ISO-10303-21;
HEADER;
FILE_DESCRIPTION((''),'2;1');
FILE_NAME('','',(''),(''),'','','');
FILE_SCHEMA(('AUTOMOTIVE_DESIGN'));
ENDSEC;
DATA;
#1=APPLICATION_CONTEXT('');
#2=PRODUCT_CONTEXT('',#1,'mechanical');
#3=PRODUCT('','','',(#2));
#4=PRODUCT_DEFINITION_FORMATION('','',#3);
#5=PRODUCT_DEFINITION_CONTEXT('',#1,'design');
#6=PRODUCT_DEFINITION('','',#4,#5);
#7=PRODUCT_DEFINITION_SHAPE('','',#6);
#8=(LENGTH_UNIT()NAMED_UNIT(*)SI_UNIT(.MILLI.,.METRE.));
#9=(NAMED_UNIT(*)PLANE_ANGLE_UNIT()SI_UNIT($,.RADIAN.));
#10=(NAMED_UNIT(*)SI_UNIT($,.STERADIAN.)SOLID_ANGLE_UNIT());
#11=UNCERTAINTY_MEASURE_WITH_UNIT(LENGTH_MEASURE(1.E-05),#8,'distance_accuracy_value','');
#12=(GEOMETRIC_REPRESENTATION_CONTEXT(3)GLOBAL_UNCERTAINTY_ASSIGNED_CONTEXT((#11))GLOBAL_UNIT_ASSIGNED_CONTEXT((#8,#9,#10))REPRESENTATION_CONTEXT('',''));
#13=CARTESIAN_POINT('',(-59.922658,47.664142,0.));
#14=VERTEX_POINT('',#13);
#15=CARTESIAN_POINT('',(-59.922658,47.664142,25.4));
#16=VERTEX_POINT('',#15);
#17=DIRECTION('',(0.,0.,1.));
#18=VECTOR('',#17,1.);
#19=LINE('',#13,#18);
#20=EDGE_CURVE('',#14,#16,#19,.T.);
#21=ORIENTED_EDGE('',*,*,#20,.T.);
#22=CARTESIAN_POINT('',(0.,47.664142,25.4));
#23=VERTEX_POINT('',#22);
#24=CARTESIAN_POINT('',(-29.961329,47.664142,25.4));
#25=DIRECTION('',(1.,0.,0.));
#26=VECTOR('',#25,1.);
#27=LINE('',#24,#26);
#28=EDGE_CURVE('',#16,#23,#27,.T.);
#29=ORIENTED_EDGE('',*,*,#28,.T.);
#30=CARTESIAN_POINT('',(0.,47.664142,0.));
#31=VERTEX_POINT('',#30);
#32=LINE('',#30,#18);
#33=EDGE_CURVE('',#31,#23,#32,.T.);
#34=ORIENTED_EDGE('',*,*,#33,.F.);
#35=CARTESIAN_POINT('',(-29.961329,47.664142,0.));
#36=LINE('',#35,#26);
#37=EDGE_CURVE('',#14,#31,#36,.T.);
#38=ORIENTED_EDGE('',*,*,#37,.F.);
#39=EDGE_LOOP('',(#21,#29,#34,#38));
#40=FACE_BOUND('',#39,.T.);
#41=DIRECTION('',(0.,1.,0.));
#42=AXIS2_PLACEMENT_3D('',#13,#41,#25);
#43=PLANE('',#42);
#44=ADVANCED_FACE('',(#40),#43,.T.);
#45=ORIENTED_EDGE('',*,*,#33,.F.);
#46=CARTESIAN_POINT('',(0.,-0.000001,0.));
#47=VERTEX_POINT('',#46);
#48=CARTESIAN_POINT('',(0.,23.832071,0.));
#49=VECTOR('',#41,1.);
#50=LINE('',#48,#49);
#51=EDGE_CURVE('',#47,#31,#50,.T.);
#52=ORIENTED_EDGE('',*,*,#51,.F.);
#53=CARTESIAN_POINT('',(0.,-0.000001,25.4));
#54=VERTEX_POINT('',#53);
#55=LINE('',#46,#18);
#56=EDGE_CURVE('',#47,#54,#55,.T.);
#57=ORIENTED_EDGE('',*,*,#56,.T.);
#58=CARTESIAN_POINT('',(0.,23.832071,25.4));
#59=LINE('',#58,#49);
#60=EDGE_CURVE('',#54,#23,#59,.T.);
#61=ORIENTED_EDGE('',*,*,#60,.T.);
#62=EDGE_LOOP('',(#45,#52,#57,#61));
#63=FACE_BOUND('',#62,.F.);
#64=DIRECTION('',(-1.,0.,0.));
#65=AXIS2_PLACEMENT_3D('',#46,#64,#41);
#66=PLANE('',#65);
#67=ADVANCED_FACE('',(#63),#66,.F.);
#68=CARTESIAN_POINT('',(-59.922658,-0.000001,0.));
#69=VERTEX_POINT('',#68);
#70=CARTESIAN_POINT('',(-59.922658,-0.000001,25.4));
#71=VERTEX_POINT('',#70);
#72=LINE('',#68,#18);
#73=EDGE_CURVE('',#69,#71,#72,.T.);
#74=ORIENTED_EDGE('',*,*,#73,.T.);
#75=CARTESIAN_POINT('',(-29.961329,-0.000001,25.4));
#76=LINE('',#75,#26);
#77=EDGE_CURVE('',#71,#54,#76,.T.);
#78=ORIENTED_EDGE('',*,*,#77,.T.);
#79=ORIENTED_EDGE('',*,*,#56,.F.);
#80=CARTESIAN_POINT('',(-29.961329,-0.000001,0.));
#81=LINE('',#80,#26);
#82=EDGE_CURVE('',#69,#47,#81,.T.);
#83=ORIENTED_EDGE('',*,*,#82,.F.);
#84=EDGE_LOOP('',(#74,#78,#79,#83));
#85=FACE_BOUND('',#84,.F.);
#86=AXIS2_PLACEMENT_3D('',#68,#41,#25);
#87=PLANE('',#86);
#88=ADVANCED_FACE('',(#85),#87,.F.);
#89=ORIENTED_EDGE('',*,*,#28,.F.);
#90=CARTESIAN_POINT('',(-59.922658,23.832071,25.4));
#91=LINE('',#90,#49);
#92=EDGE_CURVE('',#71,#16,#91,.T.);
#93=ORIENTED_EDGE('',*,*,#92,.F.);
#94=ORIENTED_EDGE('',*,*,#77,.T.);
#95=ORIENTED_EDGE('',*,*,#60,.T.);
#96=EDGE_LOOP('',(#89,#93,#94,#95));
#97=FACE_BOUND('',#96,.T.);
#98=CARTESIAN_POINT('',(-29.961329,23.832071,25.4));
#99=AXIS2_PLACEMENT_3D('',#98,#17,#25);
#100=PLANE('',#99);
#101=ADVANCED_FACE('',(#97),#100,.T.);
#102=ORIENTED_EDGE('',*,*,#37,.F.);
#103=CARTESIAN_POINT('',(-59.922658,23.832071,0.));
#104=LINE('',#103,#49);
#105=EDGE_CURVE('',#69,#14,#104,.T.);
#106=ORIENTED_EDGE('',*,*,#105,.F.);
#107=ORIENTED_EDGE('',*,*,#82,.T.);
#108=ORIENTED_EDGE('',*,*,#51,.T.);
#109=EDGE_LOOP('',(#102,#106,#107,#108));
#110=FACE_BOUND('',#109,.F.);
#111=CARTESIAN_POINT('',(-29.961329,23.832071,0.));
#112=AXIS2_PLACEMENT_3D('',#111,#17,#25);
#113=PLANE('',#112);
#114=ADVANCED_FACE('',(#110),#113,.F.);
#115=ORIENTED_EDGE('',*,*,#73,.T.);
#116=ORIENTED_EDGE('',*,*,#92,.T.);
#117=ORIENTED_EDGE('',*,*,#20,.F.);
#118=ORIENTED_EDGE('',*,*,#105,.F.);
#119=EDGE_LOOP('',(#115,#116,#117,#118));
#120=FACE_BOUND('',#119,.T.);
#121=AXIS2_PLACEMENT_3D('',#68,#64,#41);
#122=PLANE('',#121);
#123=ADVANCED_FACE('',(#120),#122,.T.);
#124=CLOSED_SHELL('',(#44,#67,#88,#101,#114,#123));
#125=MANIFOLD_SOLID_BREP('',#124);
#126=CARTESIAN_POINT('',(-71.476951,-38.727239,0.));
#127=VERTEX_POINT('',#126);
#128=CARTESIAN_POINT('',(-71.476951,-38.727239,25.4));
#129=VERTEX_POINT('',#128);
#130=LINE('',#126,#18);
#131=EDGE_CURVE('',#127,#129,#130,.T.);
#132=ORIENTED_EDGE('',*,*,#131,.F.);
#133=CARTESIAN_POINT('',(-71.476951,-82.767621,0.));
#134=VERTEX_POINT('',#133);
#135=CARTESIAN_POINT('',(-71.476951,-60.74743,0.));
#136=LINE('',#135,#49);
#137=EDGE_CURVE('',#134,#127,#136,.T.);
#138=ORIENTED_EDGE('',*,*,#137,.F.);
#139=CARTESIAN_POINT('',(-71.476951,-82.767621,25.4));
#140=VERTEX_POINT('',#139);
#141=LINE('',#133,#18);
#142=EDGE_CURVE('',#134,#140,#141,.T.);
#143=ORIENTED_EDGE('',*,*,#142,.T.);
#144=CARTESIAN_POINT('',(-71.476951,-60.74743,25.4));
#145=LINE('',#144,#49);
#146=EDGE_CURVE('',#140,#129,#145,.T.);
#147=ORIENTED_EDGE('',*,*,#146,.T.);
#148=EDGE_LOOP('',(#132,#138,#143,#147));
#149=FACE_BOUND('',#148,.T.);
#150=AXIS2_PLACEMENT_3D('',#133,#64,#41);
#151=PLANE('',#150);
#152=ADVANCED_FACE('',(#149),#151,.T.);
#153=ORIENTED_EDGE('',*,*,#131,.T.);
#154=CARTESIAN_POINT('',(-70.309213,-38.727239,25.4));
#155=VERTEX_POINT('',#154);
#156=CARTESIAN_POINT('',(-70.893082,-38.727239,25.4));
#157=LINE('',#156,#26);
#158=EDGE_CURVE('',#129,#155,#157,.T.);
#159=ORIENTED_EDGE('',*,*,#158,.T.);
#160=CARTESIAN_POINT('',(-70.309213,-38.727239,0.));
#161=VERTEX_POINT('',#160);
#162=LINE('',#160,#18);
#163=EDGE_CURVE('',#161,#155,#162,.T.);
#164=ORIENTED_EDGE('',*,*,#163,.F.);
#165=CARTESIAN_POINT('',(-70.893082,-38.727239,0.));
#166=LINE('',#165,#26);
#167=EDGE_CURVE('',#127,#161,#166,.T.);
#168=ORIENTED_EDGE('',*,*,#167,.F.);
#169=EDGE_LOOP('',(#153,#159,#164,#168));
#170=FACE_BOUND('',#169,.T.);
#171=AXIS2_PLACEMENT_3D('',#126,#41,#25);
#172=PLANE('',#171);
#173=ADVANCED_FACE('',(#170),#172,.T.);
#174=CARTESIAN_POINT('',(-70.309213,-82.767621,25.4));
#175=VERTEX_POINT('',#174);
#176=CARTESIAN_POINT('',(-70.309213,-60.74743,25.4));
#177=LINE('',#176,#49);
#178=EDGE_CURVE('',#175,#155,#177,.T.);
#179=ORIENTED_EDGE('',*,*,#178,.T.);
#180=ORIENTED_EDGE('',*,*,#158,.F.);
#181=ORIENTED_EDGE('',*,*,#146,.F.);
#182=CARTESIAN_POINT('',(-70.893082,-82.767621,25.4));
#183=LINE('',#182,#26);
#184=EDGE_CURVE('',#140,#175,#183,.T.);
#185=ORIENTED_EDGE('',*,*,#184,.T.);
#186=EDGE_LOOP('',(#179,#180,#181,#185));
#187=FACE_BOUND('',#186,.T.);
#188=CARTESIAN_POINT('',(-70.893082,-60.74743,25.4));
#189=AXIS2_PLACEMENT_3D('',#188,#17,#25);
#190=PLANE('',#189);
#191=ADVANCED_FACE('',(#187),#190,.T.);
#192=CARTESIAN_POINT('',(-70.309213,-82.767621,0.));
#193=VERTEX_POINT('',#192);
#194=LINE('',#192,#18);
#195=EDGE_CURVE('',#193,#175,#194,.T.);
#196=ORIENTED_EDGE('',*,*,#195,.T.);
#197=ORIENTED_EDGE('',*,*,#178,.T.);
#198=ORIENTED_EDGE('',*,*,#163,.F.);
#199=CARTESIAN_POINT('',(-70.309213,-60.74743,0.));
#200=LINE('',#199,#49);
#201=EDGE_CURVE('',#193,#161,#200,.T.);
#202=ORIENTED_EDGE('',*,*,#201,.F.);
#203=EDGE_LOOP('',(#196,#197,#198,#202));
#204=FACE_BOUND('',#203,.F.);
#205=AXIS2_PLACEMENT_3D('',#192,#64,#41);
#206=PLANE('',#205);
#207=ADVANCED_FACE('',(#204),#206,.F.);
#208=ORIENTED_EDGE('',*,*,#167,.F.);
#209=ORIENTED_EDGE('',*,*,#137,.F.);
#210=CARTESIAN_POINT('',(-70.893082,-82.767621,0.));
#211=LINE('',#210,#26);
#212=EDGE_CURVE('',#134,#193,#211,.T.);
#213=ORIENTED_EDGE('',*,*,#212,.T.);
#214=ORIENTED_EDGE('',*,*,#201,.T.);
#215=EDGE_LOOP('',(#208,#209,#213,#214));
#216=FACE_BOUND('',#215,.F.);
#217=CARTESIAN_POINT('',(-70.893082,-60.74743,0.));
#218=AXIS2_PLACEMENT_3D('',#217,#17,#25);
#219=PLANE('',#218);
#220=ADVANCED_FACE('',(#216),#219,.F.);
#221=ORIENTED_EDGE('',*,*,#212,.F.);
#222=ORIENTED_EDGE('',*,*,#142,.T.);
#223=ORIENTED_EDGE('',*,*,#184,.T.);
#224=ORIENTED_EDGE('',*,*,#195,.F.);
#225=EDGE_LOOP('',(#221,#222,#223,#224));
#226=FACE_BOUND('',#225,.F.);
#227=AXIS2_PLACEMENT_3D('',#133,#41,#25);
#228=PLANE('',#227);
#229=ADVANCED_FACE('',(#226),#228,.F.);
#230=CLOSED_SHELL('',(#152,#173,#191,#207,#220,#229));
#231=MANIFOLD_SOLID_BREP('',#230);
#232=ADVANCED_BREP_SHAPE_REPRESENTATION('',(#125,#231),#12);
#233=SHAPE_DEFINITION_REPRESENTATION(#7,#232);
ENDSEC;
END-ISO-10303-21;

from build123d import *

# Parameters (mm, degrees)
F0_W     = 1.167737
F0_H     = 44.040382
F0_W_2   = 59.922658
F0_H_2   = 47.664143
F1_DEPTH = 25.4


with BuildPart() as f1:
    # F0 (on Top) → F1 (new body)
    with BuildSketch(Plane.XY):
        with Locations((-70.893082, -60.74743)):
            Rectangle(F0_W, F0_H)
        with Locations((-29.961329, 23.832071)):
            Rectangle(F0_W_2, F0_H_2)
    extrude(amount=F1_DEPTH)


solid = f1.part
